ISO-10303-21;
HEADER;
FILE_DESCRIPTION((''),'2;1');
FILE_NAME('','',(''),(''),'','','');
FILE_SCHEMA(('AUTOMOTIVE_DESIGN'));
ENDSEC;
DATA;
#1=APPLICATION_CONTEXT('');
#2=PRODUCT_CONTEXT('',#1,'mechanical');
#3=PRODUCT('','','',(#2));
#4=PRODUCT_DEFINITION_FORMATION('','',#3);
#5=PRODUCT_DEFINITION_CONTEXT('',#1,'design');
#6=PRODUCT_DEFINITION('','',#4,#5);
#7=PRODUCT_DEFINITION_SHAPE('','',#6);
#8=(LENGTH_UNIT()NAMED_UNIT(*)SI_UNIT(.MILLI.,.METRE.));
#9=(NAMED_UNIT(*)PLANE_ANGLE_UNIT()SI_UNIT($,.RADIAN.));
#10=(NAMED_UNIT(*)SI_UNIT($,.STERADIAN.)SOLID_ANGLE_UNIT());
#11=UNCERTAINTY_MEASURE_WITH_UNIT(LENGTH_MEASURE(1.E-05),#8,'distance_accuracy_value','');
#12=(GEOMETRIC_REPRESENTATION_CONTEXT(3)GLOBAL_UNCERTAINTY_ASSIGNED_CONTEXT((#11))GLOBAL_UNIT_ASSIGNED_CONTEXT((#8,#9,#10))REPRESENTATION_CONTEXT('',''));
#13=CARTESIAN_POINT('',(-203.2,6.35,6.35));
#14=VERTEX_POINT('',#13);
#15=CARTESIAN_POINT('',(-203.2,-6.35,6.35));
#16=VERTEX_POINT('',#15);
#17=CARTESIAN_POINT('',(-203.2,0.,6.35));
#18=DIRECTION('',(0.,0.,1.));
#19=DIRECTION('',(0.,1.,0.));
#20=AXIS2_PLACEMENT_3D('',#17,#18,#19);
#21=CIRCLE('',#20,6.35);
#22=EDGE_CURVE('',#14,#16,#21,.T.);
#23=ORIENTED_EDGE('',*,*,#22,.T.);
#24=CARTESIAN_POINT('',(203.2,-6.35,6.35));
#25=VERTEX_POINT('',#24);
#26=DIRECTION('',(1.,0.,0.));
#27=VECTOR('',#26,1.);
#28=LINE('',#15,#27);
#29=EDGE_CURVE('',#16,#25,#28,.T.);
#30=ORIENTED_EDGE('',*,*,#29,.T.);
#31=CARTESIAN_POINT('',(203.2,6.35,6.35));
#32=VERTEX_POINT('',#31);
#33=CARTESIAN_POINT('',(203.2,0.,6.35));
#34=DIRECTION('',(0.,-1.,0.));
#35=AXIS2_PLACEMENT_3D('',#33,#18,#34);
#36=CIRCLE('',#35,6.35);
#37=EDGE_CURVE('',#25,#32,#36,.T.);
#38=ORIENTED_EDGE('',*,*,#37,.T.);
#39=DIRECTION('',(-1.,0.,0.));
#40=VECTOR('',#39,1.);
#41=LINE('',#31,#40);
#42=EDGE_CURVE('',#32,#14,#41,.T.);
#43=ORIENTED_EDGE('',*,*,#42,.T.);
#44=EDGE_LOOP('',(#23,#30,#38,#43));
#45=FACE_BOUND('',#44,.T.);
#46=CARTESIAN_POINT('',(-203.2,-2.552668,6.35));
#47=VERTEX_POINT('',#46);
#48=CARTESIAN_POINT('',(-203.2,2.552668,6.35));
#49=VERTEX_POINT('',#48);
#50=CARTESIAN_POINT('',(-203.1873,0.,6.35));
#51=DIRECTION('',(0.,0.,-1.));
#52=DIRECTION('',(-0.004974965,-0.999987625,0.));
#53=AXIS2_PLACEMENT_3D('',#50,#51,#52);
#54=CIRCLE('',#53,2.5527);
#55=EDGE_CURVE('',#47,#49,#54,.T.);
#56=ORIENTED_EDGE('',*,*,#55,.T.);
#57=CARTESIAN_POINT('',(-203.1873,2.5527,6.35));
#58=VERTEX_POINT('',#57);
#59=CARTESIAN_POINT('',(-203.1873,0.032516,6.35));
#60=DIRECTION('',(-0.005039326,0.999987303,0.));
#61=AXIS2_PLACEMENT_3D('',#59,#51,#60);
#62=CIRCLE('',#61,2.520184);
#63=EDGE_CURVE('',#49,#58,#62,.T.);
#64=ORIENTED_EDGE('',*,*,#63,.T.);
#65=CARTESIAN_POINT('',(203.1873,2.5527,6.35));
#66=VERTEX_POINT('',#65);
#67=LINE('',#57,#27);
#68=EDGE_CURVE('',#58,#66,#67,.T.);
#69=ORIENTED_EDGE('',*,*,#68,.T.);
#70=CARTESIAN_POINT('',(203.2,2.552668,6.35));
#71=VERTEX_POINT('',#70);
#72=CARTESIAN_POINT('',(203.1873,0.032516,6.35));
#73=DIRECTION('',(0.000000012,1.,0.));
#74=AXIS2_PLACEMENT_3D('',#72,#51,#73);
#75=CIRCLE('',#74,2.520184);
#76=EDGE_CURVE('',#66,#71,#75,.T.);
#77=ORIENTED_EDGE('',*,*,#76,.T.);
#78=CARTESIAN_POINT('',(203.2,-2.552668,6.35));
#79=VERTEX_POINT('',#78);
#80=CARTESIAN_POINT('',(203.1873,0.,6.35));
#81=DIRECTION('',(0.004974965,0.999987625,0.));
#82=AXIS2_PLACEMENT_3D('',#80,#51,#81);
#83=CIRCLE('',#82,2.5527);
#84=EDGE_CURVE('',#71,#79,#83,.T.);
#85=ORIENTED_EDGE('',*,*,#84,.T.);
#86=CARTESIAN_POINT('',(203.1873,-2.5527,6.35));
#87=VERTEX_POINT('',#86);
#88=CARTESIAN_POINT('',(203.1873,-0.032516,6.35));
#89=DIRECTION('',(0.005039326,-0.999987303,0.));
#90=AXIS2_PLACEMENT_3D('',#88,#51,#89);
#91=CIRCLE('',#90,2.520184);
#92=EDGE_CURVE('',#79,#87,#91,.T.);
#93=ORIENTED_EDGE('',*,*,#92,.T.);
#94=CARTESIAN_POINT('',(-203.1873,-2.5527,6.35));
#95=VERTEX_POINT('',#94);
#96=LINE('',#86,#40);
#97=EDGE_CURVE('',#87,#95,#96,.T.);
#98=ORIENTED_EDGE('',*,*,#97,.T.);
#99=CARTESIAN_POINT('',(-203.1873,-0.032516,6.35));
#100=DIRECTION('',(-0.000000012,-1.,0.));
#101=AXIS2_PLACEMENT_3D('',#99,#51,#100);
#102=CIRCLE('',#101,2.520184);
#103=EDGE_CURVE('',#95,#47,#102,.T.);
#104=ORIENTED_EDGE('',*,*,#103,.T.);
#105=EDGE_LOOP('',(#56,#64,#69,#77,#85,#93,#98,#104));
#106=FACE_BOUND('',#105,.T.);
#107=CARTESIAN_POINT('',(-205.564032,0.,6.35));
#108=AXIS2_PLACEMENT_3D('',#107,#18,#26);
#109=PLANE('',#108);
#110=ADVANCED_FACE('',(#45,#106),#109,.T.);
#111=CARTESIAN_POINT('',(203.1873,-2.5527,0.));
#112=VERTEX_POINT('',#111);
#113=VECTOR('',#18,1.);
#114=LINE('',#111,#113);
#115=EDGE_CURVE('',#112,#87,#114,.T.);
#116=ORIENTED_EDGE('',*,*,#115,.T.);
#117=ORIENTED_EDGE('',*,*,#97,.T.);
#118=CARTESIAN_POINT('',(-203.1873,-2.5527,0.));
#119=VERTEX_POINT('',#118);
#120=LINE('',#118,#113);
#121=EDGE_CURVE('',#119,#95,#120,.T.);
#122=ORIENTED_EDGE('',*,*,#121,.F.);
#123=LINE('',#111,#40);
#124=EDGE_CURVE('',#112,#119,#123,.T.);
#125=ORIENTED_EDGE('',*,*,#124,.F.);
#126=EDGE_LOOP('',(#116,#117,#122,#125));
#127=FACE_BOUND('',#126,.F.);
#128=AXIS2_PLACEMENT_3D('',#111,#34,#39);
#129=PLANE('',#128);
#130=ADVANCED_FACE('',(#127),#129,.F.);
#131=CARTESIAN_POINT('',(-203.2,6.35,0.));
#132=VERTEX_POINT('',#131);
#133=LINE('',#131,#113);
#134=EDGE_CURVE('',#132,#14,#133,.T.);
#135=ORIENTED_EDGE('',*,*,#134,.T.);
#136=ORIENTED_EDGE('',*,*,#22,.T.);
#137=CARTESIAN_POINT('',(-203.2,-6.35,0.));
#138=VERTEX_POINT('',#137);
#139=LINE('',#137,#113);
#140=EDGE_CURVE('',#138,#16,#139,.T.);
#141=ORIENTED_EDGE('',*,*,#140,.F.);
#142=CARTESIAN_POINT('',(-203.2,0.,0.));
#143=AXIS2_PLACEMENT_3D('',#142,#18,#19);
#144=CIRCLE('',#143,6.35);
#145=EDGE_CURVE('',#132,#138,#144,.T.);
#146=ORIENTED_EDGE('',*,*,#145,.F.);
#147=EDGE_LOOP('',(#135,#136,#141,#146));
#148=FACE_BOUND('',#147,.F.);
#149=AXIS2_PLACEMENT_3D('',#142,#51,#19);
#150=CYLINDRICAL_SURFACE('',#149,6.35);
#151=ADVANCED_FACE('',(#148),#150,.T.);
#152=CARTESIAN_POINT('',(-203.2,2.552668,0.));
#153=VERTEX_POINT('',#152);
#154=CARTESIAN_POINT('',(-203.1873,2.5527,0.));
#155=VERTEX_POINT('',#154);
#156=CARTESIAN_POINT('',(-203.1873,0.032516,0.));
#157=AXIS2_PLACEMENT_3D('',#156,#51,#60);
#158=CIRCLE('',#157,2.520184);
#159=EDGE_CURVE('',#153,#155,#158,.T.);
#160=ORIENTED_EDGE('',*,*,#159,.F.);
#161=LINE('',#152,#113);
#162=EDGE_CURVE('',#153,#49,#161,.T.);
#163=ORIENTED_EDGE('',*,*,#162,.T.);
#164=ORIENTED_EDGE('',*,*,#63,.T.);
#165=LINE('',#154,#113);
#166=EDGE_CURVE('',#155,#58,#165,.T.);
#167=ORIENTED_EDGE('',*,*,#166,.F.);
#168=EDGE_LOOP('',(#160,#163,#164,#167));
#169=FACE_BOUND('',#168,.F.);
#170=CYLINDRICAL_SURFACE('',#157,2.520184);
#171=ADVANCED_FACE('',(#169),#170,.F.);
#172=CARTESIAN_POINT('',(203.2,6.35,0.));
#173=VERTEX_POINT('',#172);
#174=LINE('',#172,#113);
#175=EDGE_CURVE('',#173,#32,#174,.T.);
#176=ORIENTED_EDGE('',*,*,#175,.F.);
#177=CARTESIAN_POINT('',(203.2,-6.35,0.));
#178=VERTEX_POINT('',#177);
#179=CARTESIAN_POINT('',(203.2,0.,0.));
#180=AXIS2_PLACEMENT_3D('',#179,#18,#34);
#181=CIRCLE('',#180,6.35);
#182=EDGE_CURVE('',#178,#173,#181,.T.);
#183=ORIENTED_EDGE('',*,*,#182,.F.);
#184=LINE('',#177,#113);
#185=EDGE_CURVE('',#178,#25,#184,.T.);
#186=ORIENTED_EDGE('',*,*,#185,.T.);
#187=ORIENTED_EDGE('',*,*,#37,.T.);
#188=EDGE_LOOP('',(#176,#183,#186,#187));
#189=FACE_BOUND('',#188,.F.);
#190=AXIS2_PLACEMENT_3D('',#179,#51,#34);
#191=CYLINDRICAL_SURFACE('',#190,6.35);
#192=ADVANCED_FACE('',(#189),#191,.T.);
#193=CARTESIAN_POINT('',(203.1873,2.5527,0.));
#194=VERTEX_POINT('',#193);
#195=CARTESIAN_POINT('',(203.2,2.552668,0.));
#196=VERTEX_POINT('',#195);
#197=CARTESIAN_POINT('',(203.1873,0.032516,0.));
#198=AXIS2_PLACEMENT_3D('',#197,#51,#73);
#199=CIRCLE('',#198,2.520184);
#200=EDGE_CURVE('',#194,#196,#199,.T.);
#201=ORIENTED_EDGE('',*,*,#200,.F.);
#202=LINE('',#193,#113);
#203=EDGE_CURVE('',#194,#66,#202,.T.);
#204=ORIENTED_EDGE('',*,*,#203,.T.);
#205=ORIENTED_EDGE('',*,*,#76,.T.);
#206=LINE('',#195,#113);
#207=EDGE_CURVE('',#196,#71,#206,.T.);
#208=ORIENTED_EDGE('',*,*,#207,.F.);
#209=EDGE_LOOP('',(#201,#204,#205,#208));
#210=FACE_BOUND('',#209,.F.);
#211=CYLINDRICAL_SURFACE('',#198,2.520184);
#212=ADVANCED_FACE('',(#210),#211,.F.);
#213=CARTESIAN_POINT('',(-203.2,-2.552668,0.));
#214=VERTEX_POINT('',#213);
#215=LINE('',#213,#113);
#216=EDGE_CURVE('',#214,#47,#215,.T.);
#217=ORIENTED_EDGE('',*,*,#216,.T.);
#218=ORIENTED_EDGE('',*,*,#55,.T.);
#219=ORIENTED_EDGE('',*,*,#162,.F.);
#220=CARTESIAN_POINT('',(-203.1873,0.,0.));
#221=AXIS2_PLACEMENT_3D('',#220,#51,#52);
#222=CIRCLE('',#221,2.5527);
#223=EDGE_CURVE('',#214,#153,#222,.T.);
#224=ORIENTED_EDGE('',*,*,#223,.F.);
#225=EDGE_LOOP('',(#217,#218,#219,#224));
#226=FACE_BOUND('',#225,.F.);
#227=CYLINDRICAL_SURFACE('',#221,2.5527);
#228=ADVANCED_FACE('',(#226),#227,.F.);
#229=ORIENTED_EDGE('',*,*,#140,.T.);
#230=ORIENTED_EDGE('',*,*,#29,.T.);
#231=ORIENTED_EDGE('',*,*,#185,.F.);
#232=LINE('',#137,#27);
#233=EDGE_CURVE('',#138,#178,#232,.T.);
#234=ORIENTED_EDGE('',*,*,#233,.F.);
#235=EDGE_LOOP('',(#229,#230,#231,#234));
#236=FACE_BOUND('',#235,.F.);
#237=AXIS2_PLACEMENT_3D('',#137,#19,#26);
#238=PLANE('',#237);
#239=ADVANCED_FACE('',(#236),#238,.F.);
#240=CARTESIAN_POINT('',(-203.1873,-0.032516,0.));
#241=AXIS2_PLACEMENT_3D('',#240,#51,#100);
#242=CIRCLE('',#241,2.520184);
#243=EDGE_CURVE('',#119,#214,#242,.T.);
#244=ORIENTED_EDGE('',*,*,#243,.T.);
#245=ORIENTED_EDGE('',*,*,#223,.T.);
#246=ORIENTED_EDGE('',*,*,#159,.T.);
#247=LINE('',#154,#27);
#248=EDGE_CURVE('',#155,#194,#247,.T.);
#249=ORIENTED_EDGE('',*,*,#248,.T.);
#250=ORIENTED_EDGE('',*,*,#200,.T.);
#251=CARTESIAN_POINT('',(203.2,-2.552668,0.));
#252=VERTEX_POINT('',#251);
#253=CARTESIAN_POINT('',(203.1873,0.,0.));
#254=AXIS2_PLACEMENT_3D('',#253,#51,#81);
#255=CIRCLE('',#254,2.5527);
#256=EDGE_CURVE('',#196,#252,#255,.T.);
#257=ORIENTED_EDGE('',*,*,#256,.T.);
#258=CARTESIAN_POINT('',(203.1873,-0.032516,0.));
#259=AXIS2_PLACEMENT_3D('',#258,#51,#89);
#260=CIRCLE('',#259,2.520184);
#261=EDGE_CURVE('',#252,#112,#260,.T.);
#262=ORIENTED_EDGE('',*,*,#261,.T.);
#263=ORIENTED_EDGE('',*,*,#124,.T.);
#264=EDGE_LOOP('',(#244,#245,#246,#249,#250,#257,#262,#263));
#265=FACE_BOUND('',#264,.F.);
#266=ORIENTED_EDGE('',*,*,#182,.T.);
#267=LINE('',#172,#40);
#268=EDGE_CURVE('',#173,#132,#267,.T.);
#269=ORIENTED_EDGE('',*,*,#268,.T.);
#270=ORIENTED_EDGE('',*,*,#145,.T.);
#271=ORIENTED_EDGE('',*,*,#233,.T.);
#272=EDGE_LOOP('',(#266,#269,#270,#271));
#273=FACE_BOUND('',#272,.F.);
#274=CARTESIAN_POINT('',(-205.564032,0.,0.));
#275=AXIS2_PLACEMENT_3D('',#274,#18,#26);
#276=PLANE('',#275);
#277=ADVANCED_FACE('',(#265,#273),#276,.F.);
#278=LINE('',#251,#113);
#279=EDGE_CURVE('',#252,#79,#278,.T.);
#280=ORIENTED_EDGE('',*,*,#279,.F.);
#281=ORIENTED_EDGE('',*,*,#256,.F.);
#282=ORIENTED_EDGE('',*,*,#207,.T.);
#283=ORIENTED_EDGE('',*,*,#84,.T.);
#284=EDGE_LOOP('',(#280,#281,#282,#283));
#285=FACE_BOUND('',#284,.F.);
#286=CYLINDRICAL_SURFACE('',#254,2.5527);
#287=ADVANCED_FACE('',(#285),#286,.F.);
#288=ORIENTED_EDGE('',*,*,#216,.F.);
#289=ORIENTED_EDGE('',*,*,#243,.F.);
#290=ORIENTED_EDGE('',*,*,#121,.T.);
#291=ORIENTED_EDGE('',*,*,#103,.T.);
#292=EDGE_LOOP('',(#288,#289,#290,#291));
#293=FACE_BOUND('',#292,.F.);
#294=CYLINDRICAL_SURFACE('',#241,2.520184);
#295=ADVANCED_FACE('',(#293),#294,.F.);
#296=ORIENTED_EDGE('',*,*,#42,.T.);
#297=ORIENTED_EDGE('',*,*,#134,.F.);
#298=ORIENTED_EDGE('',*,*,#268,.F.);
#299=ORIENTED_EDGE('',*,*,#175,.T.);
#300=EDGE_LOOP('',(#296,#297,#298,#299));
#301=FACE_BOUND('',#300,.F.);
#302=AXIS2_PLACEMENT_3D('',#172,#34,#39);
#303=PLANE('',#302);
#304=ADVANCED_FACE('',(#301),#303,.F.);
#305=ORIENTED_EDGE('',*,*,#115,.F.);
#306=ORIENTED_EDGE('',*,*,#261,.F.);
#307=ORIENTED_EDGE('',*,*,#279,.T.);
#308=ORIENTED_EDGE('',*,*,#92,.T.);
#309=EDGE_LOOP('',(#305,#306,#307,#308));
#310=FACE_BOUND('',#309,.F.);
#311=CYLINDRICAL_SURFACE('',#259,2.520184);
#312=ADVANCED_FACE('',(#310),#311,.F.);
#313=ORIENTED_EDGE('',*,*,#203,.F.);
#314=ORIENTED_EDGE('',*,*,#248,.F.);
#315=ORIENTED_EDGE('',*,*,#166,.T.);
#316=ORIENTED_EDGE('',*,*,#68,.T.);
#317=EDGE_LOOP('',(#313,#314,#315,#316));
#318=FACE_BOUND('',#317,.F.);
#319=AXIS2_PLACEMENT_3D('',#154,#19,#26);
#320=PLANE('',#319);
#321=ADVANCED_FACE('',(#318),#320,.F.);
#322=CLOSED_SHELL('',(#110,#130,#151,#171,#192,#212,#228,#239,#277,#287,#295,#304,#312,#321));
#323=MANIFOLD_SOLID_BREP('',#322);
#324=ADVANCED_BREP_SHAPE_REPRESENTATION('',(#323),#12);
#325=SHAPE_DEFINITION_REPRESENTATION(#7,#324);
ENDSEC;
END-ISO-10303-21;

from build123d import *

# Parameters (mm, degrees)
F1_DEPTH = 6.35


with BuildPart() as f1:
    # F0 (on Top) → F1 (new body)
    with BuildSketch(Plane.XY):
        with BuildLine():
            ThreePointArc((-203.2, -2.552668), (-205.74, 0), (-203.2, 2.552668))
            Line((-203.2, 2.552668), (-203.2, 6.35))
            ThreePointArc((-203.2, 6.35), (-209.55, 0), (-203.2, -6.35))
            Line((-203.2, -6.35), (-203.2, -2.552668))
        make_face()
        with BuildLine():
            ThreePointArc((-203.2, 2.552668), (-203.19365, 2.552692), (-203.1873, 2.5527))
            Line((-203.1873, 2.5527), (203.1873, 2.5527))
            ThreePointArc((203.1873, 2.5527), (203.19365, 2.552692), (203.2, 2.552668))
            Line((203.2, 2.552668), (203.2, 6.35))
            Line((203.2, 6.35), (-203.2, 6.35))
            Line((-203.2, 6.35), (-203.2, 2.552668))
        make_face()
        with BuildLine():
            Line((203.1873, -2.5527), (-203.1873, -2.5527))
            ThreePointArc((-203.1873, -2.5527), (-203.19365, -2.552692), (-203.2, -2.552668))
            Line((-203.2, -2.552668), (-203.2, -6.35))
            Line((-203.2, -6.35), (203.2, -6.35))
            Line((203.2, -6.35), (203.2, -2.552668))
            ThreePointArc((203.2, -2.552668), (203.19365, -2.552692), (203.1873, -2.5527))
        make_face()
        with BuildLine():
            Line((203.2, 6.35), (203.2, 2.552668))
            ThreePointArc((203.2, 2.552668), (205.74, 0), (203.2, -2.552668))
            Line((203.2, -2.552668), (203.2, -6.35))
            ThreePointArc((203.2, -6.35), (209.55, 0), (203.2, 6.35))
        make_face()
    extrude(amount=F1_DEPTH)


solid = f1.part
